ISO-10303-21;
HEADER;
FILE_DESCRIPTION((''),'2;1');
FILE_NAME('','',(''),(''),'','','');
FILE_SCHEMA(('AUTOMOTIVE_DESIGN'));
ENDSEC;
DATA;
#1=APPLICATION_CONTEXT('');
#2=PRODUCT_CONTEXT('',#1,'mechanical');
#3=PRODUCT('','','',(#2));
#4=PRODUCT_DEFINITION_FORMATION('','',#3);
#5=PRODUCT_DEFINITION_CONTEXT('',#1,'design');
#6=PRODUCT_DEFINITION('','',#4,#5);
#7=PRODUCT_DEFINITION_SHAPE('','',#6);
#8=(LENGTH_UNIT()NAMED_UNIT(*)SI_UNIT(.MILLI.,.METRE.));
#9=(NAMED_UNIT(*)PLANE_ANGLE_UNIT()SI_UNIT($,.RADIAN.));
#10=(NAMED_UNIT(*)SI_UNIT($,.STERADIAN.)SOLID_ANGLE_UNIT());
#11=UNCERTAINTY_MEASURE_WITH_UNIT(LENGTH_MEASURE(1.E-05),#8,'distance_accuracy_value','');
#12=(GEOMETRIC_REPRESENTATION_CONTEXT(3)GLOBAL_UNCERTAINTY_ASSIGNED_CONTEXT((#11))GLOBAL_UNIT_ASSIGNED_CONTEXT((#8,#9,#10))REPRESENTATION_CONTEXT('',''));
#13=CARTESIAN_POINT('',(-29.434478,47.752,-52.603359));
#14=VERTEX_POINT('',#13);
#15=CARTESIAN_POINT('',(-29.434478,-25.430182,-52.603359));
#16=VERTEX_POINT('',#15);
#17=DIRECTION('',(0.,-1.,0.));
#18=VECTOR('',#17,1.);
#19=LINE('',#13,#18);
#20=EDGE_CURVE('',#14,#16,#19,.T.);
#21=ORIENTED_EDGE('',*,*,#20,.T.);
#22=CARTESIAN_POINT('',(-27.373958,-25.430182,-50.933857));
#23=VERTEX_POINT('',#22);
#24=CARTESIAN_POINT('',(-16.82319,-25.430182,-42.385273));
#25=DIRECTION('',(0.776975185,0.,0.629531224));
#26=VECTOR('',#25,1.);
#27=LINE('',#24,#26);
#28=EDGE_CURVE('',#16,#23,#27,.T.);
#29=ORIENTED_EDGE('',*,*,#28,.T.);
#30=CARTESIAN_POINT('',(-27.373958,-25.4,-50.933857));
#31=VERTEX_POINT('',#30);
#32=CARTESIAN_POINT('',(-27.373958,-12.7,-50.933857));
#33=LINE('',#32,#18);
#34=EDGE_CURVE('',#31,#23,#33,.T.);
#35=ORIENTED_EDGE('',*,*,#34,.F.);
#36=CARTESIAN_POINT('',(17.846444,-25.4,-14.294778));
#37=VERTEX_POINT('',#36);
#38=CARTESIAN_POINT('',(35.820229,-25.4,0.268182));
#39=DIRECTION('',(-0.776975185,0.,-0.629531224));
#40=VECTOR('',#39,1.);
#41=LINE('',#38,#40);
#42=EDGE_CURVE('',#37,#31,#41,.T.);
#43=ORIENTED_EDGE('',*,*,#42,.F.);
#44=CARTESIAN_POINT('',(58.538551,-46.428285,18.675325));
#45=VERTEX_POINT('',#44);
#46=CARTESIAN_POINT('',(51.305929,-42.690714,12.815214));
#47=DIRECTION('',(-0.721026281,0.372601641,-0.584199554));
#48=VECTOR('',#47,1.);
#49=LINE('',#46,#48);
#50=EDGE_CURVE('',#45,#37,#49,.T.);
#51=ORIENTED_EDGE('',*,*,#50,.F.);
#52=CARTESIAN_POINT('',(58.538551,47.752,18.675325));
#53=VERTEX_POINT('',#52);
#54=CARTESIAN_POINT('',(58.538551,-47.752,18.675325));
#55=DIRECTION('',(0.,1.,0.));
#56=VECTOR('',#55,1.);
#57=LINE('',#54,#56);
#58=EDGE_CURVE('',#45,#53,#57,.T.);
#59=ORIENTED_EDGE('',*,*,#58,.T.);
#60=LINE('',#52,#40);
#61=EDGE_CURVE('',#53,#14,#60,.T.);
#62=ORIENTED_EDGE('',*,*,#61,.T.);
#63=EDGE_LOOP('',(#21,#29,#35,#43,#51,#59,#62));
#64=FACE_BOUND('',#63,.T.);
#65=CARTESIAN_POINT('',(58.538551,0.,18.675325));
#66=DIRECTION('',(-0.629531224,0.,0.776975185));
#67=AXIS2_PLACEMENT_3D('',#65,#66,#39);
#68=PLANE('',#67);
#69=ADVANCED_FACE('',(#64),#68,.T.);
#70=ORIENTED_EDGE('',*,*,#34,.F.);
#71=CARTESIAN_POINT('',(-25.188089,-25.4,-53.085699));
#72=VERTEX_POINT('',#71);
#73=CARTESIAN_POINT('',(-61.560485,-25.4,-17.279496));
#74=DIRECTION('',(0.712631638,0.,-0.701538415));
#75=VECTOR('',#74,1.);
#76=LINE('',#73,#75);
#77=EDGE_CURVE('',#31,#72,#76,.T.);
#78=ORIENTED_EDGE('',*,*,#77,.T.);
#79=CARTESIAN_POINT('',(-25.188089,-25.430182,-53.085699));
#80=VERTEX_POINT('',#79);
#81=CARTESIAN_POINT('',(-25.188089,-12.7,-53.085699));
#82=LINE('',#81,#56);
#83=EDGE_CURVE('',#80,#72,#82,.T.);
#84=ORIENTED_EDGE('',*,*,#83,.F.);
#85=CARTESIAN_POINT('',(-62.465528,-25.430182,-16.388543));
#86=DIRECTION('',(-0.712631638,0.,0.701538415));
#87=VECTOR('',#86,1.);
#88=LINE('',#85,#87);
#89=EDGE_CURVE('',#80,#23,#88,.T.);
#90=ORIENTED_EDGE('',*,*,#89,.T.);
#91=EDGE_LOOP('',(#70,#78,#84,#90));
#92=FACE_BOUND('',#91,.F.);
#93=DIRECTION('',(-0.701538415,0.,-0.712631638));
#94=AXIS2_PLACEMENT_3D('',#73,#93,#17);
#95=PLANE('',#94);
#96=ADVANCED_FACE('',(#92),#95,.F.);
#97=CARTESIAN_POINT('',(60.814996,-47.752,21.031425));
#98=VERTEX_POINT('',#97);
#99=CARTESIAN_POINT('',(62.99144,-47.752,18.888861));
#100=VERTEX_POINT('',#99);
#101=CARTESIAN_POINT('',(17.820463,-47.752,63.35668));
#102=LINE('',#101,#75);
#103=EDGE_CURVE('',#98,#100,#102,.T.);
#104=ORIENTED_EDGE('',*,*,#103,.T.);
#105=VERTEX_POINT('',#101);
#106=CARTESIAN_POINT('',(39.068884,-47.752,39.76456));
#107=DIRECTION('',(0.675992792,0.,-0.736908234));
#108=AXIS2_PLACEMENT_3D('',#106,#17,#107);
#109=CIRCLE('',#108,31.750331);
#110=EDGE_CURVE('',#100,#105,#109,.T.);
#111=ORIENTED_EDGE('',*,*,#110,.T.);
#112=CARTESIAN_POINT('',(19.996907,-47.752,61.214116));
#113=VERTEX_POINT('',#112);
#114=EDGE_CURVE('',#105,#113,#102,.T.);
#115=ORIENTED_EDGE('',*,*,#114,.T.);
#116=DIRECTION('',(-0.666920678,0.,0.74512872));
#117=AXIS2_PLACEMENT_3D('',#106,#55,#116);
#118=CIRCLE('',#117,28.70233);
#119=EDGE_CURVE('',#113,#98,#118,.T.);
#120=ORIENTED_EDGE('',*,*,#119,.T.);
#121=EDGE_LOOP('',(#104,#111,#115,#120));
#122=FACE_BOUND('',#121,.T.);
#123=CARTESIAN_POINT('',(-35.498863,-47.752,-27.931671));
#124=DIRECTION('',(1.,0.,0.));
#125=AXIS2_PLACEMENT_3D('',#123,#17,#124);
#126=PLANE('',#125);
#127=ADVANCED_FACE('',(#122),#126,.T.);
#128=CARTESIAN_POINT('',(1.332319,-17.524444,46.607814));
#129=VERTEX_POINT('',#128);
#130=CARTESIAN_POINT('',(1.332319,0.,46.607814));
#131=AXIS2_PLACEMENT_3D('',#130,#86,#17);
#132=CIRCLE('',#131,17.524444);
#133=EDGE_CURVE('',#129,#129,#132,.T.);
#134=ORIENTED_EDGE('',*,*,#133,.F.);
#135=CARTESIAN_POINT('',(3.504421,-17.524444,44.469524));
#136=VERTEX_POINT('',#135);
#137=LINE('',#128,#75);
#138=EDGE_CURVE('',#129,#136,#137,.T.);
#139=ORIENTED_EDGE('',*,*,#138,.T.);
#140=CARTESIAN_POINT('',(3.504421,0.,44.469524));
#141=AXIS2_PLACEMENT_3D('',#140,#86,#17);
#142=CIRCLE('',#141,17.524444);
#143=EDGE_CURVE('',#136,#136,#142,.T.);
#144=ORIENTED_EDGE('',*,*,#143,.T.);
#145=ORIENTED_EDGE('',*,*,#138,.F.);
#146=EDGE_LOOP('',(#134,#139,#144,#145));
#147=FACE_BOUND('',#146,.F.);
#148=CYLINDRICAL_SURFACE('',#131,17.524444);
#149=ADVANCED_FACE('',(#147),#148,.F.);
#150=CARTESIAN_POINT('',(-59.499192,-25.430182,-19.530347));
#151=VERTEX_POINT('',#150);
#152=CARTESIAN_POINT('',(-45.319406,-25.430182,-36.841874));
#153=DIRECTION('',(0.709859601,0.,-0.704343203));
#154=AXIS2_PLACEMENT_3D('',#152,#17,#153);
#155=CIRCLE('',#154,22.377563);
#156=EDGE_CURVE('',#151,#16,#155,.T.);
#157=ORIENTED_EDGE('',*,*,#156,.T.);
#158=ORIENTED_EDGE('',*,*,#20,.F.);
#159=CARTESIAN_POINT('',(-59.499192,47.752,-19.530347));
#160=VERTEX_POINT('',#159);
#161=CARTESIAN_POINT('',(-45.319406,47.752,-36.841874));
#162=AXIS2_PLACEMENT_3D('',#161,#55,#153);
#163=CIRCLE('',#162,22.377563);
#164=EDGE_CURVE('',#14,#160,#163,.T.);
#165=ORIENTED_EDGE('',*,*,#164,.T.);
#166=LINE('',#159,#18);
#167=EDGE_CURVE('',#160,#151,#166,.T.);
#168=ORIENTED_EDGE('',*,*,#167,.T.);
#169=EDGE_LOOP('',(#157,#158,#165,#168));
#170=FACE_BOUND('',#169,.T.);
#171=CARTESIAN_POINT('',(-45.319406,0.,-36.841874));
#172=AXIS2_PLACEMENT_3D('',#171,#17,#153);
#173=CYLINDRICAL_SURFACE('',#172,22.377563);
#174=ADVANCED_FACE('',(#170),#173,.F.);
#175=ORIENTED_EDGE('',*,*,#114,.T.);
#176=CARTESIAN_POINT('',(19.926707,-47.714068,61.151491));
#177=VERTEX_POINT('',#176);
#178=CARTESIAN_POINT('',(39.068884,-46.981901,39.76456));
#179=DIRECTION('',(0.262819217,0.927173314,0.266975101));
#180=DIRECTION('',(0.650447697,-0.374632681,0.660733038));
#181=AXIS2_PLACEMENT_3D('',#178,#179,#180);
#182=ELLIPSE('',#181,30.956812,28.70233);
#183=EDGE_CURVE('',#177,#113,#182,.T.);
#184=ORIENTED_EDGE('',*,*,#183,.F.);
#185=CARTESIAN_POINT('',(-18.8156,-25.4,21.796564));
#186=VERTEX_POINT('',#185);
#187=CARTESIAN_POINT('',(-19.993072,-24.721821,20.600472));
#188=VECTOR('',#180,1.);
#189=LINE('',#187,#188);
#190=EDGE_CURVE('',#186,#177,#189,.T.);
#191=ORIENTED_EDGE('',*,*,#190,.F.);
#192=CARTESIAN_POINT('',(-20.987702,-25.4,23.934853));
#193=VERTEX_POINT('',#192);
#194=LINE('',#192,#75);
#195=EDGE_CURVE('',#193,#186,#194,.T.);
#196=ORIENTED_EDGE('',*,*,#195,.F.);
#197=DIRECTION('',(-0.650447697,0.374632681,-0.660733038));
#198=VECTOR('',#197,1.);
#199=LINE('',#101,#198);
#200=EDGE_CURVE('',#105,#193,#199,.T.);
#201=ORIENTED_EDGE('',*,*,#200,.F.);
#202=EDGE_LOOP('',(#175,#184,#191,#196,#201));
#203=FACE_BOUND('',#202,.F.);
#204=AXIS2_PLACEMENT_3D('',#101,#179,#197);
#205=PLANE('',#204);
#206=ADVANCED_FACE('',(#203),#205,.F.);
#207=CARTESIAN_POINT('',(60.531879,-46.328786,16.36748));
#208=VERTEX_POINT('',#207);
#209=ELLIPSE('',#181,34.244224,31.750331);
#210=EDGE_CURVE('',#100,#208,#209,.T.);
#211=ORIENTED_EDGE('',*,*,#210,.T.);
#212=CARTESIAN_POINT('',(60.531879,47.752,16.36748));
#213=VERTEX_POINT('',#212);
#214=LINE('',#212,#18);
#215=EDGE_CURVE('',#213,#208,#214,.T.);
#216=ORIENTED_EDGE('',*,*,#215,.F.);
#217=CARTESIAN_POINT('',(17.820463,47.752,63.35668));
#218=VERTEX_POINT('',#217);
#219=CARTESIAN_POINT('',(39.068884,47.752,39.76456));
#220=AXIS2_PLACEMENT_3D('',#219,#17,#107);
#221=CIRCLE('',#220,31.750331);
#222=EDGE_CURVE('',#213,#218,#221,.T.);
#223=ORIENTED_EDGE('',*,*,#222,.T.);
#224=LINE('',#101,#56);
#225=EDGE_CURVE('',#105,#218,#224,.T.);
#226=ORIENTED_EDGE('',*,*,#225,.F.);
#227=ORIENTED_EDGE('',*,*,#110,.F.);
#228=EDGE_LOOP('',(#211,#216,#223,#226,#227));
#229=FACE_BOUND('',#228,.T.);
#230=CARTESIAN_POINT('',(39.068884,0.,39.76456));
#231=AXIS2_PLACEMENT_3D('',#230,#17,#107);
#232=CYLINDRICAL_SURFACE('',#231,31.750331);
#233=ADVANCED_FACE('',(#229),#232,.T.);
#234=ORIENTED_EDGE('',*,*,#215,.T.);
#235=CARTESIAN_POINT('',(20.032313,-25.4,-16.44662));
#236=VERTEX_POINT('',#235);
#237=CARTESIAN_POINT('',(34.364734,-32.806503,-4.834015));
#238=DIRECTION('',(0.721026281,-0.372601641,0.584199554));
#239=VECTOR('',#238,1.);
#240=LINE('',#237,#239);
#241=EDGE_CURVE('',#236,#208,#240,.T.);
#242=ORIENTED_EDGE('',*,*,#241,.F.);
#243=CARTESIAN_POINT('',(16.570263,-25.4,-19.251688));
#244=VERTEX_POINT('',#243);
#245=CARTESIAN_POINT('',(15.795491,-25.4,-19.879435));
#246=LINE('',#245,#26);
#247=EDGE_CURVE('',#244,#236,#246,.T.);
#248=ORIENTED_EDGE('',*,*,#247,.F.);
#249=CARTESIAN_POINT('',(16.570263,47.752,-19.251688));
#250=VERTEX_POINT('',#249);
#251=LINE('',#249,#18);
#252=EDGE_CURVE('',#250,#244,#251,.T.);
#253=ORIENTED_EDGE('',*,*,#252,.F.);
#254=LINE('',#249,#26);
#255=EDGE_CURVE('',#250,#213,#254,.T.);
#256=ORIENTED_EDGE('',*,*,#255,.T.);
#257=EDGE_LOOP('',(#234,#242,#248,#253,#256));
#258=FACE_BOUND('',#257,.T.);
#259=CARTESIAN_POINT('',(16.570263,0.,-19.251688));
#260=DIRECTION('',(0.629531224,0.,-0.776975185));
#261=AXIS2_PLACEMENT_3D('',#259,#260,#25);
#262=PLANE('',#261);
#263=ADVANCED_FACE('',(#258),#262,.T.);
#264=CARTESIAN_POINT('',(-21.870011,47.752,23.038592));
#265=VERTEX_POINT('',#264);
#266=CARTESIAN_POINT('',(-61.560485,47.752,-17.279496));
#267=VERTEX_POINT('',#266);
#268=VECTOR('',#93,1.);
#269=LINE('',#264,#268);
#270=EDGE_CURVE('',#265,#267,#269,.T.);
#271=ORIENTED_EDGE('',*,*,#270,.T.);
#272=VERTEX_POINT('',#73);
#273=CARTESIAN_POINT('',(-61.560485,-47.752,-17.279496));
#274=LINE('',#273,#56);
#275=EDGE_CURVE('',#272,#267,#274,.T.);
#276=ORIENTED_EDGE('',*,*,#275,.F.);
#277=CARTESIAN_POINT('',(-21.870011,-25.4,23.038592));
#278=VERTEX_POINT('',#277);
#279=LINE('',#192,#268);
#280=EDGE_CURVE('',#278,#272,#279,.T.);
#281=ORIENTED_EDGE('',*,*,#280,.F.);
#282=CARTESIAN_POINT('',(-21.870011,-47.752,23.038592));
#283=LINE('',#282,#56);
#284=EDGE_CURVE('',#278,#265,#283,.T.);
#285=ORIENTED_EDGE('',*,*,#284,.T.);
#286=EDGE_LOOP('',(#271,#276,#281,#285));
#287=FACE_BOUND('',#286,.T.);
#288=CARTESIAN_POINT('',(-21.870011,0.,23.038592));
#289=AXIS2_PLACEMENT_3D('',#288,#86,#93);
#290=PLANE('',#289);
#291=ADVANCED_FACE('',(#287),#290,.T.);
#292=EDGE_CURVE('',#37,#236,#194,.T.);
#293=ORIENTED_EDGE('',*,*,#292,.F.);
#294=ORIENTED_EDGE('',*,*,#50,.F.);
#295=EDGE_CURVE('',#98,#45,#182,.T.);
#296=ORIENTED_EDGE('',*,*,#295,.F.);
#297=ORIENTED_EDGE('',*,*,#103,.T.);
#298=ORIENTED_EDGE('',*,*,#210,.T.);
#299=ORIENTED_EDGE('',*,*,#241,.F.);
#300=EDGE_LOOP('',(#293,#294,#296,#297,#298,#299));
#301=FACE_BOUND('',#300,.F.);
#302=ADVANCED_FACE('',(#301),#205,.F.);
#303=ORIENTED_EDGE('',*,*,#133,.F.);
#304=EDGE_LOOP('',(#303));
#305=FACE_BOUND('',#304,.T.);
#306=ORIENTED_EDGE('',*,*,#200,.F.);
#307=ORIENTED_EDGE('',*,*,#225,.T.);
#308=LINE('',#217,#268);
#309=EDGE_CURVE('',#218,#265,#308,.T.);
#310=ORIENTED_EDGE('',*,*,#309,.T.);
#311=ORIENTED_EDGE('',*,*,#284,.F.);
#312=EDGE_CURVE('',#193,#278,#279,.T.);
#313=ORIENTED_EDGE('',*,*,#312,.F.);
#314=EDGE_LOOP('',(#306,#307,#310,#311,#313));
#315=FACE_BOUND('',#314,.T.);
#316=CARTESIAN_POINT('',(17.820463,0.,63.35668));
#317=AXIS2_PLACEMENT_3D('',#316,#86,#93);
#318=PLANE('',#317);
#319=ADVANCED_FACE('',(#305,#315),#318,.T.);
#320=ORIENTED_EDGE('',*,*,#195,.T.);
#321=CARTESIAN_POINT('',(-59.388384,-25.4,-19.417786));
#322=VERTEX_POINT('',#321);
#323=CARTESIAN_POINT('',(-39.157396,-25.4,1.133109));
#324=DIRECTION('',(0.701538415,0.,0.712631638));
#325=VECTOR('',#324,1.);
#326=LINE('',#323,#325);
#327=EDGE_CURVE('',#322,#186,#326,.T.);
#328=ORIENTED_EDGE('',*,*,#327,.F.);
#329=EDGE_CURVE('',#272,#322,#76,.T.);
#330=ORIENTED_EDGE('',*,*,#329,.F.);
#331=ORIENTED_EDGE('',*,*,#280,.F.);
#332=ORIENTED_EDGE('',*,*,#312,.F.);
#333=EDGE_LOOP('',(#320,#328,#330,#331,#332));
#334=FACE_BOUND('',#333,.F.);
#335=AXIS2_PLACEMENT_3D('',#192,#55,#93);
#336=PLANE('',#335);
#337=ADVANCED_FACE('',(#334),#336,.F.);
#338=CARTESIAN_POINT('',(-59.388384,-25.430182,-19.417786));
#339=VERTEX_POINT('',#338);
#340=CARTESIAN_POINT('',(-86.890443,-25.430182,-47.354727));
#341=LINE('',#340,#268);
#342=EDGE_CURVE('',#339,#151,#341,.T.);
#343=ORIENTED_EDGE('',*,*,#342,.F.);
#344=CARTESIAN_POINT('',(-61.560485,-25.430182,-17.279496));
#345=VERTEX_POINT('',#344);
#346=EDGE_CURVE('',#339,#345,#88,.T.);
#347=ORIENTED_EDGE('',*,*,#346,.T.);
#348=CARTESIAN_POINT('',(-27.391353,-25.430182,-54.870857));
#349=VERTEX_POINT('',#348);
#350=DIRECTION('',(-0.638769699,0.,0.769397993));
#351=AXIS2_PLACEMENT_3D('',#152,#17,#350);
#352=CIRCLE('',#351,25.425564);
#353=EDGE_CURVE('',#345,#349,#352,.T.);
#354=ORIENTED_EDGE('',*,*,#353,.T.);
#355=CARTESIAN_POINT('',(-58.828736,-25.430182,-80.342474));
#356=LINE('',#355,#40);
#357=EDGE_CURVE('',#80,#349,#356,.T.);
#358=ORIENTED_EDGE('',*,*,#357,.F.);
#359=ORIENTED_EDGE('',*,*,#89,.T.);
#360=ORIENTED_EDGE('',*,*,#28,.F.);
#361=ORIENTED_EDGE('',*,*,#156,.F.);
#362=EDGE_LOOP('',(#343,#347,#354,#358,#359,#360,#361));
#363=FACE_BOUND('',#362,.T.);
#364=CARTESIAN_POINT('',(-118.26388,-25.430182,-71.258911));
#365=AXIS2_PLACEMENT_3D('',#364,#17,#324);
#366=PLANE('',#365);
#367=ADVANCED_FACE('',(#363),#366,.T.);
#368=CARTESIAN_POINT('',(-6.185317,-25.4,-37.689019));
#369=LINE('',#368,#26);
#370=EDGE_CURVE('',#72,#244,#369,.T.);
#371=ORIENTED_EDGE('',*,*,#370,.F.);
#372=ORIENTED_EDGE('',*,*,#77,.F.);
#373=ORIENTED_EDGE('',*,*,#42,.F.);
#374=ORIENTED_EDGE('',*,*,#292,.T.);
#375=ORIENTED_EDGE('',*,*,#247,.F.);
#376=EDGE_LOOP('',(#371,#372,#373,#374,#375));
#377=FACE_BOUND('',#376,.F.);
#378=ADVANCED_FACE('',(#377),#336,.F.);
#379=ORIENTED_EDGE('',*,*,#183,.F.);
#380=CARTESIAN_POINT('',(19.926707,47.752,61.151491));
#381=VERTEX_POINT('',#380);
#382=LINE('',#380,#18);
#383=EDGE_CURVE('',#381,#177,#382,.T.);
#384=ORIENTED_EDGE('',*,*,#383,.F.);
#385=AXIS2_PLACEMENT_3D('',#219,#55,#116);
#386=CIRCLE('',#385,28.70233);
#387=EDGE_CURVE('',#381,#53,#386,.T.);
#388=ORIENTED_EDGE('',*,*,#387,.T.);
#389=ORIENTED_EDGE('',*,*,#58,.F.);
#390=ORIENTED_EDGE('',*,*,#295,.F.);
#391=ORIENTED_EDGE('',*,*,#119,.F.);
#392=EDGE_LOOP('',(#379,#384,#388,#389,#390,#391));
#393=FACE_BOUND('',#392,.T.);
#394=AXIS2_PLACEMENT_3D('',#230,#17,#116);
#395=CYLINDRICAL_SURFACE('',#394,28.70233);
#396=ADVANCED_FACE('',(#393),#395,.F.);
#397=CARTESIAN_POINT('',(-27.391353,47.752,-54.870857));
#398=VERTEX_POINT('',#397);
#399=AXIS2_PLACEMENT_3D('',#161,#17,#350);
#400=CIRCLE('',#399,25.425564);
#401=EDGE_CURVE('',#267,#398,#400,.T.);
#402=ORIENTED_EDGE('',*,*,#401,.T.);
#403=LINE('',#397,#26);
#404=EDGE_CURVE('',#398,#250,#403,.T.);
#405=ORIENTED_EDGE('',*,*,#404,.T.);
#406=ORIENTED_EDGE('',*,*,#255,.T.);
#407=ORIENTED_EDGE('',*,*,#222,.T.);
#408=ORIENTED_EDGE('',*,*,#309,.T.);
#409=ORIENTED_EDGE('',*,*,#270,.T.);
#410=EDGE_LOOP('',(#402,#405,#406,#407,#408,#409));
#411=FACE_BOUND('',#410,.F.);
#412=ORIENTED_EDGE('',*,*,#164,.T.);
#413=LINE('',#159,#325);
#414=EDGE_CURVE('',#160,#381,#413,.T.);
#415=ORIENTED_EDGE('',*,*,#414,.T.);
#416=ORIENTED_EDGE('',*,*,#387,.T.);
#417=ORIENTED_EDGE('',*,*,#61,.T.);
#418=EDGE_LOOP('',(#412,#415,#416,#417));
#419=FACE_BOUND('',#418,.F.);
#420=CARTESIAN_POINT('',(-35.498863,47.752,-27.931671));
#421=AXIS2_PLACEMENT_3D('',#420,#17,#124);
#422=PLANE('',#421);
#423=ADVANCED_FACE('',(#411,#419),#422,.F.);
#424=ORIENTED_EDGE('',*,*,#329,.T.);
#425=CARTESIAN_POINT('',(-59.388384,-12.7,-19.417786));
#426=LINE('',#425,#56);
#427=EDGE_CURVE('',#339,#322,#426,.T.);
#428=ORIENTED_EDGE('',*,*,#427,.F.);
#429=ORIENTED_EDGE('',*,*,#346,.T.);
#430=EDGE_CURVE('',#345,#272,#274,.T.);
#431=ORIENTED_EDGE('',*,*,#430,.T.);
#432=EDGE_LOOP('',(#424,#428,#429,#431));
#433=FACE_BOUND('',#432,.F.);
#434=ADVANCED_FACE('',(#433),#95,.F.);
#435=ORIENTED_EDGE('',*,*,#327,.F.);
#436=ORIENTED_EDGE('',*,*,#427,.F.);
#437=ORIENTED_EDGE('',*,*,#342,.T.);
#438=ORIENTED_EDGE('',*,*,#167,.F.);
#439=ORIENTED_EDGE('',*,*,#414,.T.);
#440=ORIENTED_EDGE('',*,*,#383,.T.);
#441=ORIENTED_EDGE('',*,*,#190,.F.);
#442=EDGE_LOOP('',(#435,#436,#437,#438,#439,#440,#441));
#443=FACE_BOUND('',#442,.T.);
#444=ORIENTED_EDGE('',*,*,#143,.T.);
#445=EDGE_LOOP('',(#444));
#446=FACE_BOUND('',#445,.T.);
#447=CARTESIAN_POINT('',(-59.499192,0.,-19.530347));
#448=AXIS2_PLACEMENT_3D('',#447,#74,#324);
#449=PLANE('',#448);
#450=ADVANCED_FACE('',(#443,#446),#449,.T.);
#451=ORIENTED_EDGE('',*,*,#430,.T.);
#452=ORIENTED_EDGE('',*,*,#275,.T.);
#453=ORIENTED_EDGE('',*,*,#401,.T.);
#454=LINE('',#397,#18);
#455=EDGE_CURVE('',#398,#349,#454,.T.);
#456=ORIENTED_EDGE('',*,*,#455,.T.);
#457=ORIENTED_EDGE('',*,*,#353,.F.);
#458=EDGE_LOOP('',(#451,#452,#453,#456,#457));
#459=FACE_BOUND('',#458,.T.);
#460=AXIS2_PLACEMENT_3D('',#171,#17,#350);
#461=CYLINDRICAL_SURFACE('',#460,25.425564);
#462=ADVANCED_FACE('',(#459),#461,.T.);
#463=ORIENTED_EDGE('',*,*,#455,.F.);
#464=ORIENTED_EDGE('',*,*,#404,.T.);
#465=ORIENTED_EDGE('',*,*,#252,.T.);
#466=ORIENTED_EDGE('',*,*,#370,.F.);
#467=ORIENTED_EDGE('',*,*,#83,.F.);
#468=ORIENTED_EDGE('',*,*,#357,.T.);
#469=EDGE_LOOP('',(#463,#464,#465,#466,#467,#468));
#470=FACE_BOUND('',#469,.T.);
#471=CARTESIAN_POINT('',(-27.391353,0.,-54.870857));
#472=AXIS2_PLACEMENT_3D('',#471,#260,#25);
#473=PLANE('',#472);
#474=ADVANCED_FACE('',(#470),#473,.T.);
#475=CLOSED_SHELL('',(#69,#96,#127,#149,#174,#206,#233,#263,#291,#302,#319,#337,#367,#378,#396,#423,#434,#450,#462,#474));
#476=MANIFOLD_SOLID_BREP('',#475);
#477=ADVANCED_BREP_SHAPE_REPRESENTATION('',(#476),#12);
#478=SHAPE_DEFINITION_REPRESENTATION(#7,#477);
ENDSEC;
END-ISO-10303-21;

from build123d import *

# Parameters (mm, degrees)
F1_DEPTH = 47.752
F3_DEPTH = 125.8997323481
F5_W     = 28.5765696317
F5_H     = 79.3209560215
F6_DEPTH = 128.4397323481
F2_R     = 17.5244442396
F7_DEPTH = 3.0480007527


with BuildPart() as f1:
    # F0 (on Front) → F1 (new body, symmetric)
    with BuildSketch(Plane.XZ):
        with BuildLine():
            ThreePointArc((-61.5604854778, -17.279496366), (-64.1340028036, -53.9436351961), (-27.3913528199, -54.8708567219))
            Line((-27.3913528199, -54.8708567219), (16.5702632333, -19.2516883407))
            Line((16.5702632333, -19.2516883407), (14.5168037691, -16.992563549))
            Line((14.5168037691, -16.992563549), (-29.4344777615, -52.603358555))
            ThreePointArc((-29.4344777615, -52.603358555), (-61.8778750989, -51.8941968791), (-59.4991920915, -19.5303465483))
            Line((-59.4991920915, -19.5303465483), (-19.8167012668, 20.779631988))
            Line((-19.8167012668, 20.779631988), (-21.8700110068, 23.0385920597))
            Line((-21.8700110068, 23.0385920597), (-61.5604854778, -17.279496366))
        make_face()
        Polygon((14.5168037691, -16.992563549), (16.5702632333, -19.2516883407), (60.5318792866, 16.3674800405), (58.5385509124, 18.675325048), align=None)
        Polygon((17.8204634643, 63.3566804854), (-21.8700110068, 23.0385920597), (-19.8167012668, 20.779631988), (19.9267067724, 61.151491005), align=None)
        with BuildLine():
            Line((58.5385509124, 18.675325048), (60.5318792866, 16.3674800405))
            ThreePointArc((60.5318792866, 16.3674800405), (62.5637295367, 61.1204909666), (17.8204634643, 63.3566804854))
            Line((17.8204634643, 63.3566804854), (19.9267067724, 61.151491005))
            ThreePointArc((19.9267067724, 61.151491005), (60.3075985546, 59.0710562617), (58.5385509124, 18.675325048))
        make_face()
    extrude(amount=F1_DEPTH, both=True)

    # F2 (on face) → F3 (cut, through all)
    with BuildSketch(Plane(origin=(-22.624429106, 0, 22.272244566), x_dir=(0, -1, 0), z_dir=(-0.7126316385, 0, 0.7015384151))):
        Polygon((47.752, 2.3330547172), (47.752, 57.6517147172), (25.4, 2.3330547172), (25.4, -55.5009612218), (47.752, -55.5009612218), align=None)
    extrude(amount=-F3_DEPTH, mode=Mode.SUBTRACT)

    # F5 (on offset) → F6 (cut, through all)
    with BuildSketch(Plane(origin=(-24.4345134677, 0, 24.0541521404), x_dir=(0, -1, 0), z_dir=(-0.7126316385, 0, 0.7015384151))):
        with Locations((39.7184668109, -94.0875317901)):
            Rectangle(F5_W, F5_H)
    extrude(amount=-F6_DEPTH, mode=Mode.SUBTRACT)

    # F2 (on face) → F7 (cut, through all)
    with BuildSketch(Plane(origin=(-22.624429106, 0, 22.272244566), x_dir=(0, -1, 0), z_dir=(-0.7126316385, 0, 0.7015384151))):
        with Locations((0, 34.1488756239)):
            Circle(F2_R)
    extrude(amount=-F7_DEPTH, mode=Mode.SUBTRACT)


solid = f1.part
